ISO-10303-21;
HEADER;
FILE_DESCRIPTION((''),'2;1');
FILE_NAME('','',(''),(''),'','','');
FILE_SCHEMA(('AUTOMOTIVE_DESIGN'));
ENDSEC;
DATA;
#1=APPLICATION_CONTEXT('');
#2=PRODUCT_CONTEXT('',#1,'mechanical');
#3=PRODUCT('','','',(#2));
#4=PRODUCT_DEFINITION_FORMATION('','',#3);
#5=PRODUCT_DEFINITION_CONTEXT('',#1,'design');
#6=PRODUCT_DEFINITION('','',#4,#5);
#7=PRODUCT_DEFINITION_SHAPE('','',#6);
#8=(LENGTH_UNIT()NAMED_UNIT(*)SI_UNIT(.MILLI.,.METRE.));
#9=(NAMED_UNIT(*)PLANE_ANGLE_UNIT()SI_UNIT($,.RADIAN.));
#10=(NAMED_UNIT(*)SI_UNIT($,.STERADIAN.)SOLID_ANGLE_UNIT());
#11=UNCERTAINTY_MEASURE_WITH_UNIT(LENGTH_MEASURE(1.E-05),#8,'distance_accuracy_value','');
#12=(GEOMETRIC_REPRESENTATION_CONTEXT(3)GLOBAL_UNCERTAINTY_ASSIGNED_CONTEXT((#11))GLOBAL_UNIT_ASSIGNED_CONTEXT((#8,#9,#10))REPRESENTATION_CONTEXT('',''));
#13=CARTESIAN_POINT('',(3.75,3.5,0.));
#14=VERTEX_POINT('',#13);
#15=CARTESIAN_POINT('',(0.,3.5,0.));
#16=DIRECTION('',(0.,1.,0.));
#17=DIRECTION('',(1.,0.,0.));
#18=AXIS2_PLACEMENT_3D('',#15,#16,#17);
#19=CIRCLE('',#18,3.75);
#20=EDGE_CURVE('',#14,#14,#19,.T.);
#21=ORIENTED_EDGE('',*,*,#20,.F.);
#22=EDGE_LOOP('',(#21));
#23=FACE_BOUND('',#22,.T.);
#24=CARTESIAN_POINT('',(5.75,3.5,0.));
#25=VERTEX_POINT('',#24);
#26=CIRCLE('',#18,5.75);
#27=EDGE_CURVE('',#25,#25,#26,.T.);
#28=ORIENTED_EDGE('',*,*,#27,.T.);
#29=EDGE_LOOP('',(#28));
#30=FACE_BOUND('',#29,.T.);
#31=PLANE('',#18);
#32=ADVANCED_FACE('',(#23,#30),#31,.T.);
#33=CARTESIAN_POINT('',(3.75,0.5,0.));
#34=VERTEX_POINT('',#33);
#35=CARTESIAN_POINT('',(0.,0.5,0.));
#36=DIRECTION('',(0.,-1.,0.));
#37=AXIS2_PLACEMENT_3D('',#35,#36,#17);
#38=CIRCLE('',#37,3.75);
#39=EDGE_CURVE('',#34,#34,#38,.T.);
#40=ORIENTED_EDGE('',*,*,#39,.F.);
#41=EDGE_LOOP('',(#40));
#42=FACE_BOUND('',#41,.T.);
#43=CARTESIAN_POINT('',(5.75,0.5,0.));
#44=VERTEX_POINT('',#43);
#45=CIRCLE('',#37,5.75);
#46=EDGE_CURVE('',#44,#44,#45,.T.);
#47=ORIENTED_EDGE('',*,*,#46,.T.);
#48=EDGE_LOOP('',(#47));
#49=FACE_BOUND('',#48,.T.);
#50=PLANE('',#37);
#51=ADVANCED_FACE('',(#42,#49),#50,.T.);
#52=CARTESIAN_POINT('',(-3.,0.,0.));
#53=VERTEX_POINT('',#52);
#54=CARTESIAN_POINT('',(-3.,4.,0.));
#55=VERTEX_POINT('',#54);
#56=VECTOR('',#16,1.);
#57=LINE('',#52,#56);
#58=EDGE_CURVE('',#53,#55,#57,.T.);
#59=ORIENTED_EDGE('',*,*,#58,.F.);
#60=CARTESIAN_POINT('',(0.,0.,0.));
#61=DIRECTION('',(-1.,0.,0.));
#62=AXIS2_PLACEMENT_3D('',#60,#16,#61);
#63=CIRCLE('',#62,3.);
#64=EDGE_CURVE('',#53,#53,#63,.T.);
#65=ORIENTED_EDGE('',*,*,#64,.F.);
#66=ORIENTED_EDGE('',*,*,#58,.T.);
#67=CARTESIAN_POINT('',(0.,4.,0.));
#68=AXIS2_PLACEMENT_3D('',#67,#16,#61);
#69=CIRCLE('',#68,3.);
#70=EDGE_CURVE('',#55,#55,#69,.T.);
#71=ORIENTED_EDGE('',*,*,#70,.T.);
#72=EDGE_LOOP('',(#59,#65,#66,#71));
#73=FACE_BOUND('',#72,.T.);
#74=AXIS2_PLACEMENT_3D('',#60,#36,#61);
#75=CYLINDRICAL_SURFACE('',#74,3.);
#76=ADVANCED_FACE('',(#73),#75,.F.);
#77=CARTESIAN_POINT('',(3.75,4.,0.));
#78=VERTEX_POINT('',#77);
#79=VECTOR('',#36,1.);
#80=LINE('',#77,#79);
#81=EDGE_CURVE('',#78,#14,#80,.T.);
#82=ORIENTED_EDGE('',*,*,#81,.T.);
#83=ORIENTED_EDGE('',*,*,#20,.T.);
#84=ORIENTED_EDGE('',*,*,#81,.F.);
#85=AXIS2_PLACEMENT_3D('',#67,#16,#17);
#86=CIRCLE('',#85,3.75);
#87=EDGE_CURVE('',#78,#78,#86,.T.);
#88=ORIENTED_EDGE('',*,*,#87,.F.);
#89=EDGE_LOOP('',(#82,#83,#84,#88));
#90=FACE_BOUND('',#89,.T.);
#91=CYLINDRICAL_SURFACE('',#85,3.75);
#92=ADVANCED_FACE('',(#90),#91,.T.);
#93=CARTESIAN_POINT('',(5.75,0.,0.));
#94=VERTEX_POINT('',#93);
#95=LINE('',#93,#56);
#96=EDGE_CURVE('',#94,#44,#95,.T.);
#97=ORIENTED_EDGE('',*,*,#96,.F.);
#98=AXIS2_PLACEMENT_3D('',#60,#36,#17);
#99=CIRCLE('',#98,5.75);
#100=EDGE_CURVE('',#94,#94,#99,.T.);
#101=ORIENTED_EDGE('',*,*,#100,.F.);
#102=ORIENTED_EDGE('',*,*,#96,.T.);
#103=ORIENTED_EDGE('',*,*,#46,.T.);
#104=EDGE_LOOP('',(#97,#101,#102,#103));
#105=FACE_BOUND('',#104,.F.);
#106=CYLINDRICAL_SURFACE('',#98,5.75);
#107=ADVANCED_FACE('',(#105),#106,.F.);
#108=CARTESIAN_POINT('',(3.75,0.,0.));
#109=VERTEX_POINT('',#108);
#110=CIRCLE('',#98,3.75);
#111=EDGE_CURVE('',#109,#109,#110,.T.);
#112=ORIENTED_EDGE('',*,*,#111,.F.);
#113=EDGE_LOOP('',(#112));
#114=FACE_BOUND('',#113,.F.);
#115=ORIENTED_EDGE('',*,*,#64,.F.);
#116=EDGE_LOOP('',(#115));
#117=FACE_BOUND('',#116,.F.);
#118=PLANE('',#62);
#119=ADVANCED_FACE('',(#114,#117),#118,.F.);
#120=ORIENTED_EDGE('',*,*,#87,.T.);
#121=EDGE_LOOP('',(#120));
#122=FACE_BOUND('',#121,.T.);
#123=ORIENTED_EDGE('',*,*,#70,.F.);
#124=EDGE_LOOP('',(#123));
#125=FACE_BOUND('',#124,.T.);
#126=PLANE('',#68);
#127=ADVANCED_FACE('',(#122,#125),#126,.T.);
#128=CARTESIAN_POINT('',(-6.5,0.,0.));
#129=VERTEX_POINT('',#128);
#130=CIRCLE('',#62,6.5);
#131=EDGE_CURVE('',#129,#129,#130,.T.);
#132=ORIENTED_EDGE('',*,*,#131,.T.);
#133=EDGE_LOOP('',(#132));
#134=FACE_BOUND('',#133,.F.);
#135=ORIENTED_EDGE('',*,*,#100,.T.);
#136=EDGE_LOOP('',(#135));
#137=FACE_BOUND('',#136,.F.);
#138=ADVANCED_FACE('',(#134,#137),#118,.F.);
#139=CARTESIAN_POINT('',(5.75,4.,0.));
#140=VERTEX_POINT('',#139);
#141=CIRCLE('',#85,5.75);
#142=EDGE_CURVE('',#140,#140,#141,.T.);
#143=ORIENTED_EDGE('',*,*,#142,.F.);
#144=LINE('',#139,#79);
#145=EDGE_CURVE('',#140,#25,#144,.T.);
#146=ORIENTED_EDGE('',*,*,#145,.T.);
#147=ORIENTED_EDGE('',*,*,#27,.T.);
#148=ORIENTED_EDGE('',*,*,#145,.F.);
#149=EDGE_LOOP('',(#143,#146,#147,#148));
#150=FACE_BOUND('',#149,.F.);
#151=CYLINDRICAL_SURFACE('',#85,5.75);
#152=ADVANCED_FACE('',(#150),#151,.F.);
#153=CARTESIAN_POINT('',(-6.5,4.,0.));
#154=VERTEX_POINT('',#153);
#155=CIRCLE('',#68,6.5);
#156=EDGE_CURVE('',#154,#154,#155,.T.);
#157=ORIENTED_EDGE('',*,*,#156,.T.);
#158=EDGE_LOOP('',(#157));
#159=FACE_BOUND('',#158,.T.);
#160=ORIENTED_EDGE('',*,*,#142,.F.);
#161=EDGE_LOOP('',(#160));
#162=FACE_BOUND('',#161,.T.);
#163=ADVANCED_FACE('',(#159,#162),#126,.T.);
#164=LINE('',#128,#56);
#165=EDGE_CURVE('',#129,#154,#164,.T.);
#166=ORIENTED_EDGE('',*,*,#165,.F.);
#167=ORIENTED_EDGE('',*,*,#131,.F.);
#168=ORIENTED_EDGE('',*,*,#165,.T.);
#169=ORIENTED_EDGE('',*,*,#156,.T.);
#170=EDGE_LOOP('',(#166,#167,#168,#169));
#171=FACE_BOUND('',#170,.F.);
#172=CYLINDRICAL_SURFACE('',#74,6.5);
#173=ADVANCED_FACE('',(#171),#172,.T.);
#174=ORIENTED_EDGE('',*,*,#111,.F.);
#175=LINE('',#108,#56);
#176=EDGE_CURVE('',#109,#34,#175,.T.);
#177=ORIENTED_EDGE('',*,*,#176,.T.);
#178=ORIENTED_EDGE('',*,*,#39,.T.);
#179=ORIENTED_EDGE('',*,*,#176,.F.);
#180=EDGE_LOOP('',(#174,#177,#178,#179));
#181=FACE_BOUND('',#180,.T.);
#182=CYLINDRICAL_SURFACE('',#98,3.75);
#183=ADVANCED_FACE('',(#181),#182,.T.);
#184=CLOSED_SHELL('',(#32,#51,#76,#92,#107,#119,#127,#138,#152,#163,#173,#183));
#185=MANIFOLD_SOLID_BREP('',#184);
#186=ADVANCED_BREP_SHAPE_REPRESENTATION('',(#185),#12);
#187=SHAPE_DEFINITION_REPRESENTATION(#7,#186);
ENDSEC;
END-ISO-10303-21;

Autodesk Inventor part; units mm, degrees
ref_plane "YZ Plane" through (0, 0, 0) normal (1, 0, 0) x (0, 1, 0)
ref_plane "XZ Plane" through (0, 0, 0) normal (0, 1, 0) x (-1, 0, 0)
ref_plane "XY Plane" through (0, 0, 0) normal (0, 0, 1) x (1, 0, 0)
sketch "草图1" plane through (0, 0, 0) normal (0, 1, 0) x (-1, 0, 0)
  circle A0 centre (0, 0) radius 6.5
  circle A1 centre (0, 0) radius 3
  dimension "d0" = 13
  dimension "d1" = 6
extrude "拉伸1" add sketch "草图1" along normal blind 4
sketch "草图2" plane through (0, 4, 0) normal (0, 1, 0) x (1, 0, 0)
  circle A0 centre (0, 0) radius 3 projected
  circle A1 centre (0, 0) radius 6.5 projected
  circle A2 centre (0, 0) radius 3.75
  circle A3 centre (0, 0) radius 5.75
  dimension "d4" = 11.5
  dimension "d5" = 7.5
extrude "拉伸2" cut sketch "草图2" against normal blind 0.5 contours A3
sketch "草图3" plane through (0, 0, 0) normal (0, -1, 0) x (1, 0, 0)
  circle A0 centre (0, 0) radius 3.75 projected
  circle A1 centre (0, 0) radius 5.75 projected
extrude "拉伸3" cut sketch "草图3" against normal blind 0.5
properties part number "bearing_6_13_5"
